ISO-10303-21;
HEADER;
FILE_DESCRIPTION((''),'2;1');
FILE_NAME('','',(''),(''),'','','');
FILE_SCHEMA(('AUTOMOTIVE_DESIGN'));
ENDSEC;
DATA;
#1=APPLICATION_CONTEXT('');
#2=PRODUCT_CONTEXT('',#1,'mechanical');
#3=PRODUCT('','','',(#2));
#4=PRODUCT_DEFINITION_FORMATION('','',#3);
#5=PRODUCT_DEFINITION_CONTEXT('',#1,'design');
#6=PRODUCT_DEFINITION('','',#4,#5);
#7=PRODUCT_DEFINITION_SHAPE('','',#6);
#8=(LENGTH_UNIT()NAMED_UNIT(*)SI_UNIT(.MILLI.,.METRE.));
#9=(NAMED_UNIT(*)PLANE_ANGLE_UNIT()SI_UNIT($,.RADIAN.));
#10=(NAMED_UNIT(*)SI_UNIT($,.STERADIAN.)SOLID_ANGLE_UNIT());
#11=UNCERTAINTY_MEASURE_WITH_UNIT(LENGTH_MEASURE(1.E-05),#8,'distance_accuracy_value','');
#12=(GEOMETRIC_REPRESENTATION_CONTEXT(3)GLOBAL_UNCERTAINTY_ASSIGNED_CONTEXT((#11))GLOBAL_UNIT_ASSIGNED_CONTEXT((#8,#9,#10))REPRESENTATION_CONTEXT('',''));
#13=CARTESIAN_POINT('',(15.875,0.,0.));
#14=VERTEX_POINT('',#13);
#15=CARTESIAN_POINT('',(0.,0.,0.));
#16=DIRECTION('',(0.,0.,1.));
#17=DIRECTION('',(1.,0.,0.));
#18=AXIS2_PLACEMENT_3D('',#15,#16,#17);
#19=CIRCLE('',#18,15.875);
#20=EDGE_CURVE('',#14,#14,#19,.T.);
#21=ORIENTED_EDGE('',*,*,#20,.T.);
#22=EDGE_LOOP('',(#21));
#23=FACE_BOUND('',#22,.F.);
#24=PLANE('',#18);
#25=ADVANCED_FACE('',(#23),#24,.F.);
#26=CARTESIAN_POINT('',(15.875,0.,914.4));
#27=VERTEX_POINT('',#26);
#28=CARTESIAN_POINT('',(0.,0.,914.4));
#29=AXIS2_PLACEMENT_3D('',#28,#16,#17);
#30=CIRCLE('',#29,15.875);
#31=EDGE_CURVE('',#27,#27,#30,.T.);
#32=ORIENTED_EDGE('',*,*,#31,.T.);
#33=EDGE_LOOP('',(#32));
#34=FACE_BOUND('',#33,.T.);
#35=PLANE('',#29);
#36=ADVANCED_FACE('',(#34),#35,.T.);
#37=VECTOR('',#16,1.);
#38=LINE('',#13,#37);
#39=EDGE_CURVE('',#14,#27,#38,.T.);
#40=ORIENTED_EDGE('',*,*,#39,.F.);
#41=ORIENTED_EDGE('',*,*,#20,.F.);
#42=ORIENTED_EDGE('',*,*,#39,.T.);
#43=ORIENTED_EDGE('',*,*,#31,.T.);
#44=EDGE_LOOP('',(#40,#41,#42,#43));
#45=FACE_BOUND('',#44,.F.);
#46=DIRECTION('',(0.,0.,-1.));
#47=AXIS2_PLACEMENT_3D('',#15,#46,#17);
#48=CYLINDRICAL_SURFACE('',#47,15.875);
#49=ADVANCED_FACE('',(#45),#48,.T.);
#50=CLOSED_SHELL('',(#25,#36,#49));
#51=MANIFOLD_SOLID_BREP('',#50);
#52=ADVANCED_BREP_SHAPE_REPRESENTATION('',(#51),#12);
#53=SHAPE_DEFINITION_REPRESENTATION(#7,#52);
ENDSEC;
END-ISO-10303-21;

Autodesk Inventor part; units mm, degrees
ref_plane "YZ Plane" through (0, 0, 0) normal (1, 0, 0) x (0, 1, 0)
ref_plane "XZ Plane" through (0, 0, 0) normal (0, 1, 0) x (-1, 0, 0)
ref_plane "XY Plane" through (0, 0, 0) normal (0, 0, 1) x (1, 0, 0)
sketch "Sketch1" plane through (0, 0, 0) normal (0, 0, 1) x (1, 0, 0)
  circle A0 centre (0, 0) radius 15.875
  dimension "d0" = 31.75
extrude "Extrusion1" add sketch "Sketch1" along normal blind 914.4
properties part number "1.25 bar x 3ft" material "Steel, Alloy"
